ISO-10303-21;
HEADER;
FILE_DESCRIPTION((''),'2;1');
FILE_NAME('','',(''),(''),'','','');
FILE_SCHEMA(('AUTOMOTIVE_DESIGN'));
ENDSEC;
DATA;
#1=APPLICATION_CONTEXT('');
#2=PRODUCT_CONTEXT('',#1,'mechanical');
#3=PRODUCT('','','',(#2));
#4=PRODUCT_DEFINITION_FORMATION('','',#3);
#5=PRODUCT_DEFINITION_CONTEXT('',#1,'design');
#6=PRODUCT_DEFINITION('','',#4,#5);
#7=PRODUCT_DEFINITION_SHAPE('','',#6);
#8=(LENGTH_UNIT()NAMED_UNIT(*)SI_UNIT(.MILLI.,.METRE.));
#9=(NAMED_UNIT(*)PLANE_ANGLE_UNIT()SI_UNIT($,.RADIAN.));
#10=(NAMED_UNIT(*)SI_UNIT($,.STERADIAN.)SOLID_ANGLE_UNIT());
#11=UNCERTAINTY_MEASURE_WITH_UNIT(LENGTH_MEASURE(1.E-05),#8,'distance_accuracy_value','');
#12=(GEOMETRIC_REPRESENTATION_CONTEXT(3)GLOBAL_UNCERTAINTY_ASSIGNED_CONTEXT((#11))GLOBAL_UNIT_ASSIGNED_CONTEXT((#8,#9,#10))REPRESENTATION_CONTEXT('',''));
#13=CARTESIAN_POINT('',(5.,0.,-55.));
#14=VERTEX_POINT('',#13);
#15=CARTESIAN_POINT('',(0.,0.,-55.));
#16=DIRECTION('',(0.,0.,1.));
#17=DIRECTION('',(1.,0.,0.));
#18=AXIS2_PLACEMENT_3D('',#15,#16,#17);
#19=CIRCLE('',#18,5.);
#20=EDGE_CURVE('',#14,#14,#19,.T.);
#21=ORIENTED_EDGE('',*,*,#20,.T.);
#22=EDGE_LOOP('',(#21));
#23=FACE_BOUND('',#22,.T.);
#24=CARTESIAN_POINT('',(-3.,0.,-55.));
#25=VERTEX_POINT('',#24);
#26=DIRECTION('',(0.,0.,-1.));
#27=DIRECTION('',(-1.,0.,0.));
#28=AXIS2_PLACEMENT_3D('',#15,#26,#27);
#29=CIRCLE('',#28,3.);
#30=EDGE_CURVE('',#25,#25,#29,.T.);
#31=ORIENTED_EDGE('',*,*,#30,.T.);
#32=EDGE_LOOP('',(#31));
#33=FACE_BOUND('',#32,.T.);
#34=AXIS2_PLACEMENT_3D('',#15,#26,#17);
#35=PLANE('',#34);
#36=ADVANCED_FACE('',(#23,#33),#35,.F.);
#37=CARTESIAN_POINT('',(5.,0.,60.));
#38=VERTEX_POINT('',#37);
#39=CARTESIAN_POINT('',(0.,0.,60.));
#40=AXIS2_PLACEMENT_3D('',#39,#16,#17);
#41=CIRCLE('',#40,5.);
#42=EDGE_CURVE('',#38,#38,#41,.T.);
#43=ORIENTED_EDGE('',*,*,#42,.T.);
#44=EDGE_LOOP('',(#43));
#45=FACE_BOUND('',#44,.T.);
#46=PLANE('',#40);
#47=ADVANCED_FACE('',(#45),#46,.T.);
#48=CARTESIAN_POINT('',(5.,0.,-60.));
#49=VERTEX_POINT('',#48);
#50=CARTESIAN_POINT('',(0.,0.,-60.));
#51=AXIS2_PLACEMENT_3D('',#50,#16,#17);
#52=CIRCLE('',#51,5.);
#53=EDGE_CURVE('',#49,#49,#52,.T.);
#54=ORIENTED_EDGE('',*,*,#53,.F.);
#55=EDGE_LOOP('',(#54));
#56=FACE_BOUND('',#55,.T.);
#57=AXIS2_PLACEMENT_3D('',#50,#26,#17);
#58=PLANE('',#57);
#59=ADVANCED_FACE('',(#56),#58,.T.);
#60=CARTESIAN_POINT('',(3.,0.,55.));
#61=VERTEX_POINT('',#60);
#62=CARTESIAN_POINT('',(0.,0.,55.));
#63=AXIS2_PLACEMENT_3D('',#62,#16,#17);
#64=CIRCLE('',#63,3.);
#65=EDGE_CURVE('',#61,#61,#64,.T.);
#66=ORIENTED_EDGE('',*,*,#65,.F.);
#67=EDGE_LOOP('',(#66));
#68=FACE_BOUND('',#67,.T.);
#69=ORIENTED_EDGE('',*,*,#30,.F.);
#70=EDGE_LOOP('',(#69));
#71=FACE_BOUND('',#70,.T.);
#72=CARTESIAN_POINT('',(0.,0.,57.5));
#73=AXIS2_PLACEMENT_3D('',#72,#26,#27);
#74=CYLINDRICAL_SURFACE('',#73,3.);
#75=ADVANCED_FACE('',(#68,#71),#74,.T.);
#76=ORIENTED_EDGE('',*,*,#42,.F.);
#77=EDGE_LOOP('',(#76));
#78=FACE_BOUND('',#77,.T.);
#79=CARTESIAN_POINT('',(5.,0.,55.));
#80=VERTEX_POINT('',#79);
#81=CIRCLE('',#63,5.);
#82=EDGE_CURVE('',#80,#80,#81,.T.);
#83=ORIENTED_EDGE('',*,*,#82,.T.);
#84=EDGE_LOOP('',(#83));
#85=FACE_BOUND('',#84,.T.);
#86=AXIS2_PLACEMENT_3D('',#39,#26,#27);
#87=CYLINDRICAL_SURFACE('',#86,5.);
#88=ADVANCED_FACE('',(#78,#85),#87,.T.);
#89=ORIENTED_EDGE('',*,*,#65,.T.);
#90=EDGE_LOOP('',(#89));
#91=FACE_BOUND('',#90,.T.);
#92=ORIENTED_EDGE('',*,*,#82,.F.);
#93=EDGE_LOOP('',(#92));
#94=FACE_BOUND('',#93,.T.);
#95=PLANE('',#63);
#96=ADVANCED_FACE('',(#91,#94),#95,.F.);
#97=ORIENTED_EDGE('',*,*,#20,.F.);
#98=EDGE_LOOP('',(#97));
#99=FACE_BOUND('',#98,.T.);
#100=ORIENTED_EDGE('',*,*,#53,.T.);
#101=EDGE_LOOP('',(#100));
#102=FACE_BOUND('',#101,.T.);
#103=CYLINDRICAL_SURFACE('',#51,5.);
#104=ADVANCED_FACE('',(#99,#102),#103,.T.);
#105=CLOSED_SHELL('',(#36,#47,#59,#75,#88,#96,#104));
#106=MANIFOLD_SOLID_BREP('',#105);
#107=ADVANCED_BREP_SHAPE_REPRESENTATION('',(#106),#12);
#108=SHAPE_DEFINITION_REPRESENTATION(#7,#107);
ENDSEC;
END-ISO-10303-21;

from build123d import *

# Parameters (mm, degrees)
SKETCH1_R           = 3
BOSS_EXTRUDE1_DEPTH = 57.5
SKETCH2_R           = 5
BOSS_EXTRUDE2_DEPTH = 2.5


with BuildPart() as part:
    # Sketch1 → Boss-Extrude1 (new, symmetric)
    with BuildSketch(Plane.XY):
        Circle(SKETCH1_R)
    extrude(amount=BOSS_EXTRUDE1_DEPTH, both=True)

    # Sketch2 → Boss-Extrude2 (add, symmetric)
    with BuildSketch(Plane.XY.offset(57.5)):
        Circle(SKETCH2_R)
    boss_extrude2 = extrude(amount=BOSS_EXTRUDE2_DEPTH, both=True)

    # Mirror1: Boss-Extrude2 across plane
    add(boss_extrude2.mirror(Plane.XY))


solid = part.part
